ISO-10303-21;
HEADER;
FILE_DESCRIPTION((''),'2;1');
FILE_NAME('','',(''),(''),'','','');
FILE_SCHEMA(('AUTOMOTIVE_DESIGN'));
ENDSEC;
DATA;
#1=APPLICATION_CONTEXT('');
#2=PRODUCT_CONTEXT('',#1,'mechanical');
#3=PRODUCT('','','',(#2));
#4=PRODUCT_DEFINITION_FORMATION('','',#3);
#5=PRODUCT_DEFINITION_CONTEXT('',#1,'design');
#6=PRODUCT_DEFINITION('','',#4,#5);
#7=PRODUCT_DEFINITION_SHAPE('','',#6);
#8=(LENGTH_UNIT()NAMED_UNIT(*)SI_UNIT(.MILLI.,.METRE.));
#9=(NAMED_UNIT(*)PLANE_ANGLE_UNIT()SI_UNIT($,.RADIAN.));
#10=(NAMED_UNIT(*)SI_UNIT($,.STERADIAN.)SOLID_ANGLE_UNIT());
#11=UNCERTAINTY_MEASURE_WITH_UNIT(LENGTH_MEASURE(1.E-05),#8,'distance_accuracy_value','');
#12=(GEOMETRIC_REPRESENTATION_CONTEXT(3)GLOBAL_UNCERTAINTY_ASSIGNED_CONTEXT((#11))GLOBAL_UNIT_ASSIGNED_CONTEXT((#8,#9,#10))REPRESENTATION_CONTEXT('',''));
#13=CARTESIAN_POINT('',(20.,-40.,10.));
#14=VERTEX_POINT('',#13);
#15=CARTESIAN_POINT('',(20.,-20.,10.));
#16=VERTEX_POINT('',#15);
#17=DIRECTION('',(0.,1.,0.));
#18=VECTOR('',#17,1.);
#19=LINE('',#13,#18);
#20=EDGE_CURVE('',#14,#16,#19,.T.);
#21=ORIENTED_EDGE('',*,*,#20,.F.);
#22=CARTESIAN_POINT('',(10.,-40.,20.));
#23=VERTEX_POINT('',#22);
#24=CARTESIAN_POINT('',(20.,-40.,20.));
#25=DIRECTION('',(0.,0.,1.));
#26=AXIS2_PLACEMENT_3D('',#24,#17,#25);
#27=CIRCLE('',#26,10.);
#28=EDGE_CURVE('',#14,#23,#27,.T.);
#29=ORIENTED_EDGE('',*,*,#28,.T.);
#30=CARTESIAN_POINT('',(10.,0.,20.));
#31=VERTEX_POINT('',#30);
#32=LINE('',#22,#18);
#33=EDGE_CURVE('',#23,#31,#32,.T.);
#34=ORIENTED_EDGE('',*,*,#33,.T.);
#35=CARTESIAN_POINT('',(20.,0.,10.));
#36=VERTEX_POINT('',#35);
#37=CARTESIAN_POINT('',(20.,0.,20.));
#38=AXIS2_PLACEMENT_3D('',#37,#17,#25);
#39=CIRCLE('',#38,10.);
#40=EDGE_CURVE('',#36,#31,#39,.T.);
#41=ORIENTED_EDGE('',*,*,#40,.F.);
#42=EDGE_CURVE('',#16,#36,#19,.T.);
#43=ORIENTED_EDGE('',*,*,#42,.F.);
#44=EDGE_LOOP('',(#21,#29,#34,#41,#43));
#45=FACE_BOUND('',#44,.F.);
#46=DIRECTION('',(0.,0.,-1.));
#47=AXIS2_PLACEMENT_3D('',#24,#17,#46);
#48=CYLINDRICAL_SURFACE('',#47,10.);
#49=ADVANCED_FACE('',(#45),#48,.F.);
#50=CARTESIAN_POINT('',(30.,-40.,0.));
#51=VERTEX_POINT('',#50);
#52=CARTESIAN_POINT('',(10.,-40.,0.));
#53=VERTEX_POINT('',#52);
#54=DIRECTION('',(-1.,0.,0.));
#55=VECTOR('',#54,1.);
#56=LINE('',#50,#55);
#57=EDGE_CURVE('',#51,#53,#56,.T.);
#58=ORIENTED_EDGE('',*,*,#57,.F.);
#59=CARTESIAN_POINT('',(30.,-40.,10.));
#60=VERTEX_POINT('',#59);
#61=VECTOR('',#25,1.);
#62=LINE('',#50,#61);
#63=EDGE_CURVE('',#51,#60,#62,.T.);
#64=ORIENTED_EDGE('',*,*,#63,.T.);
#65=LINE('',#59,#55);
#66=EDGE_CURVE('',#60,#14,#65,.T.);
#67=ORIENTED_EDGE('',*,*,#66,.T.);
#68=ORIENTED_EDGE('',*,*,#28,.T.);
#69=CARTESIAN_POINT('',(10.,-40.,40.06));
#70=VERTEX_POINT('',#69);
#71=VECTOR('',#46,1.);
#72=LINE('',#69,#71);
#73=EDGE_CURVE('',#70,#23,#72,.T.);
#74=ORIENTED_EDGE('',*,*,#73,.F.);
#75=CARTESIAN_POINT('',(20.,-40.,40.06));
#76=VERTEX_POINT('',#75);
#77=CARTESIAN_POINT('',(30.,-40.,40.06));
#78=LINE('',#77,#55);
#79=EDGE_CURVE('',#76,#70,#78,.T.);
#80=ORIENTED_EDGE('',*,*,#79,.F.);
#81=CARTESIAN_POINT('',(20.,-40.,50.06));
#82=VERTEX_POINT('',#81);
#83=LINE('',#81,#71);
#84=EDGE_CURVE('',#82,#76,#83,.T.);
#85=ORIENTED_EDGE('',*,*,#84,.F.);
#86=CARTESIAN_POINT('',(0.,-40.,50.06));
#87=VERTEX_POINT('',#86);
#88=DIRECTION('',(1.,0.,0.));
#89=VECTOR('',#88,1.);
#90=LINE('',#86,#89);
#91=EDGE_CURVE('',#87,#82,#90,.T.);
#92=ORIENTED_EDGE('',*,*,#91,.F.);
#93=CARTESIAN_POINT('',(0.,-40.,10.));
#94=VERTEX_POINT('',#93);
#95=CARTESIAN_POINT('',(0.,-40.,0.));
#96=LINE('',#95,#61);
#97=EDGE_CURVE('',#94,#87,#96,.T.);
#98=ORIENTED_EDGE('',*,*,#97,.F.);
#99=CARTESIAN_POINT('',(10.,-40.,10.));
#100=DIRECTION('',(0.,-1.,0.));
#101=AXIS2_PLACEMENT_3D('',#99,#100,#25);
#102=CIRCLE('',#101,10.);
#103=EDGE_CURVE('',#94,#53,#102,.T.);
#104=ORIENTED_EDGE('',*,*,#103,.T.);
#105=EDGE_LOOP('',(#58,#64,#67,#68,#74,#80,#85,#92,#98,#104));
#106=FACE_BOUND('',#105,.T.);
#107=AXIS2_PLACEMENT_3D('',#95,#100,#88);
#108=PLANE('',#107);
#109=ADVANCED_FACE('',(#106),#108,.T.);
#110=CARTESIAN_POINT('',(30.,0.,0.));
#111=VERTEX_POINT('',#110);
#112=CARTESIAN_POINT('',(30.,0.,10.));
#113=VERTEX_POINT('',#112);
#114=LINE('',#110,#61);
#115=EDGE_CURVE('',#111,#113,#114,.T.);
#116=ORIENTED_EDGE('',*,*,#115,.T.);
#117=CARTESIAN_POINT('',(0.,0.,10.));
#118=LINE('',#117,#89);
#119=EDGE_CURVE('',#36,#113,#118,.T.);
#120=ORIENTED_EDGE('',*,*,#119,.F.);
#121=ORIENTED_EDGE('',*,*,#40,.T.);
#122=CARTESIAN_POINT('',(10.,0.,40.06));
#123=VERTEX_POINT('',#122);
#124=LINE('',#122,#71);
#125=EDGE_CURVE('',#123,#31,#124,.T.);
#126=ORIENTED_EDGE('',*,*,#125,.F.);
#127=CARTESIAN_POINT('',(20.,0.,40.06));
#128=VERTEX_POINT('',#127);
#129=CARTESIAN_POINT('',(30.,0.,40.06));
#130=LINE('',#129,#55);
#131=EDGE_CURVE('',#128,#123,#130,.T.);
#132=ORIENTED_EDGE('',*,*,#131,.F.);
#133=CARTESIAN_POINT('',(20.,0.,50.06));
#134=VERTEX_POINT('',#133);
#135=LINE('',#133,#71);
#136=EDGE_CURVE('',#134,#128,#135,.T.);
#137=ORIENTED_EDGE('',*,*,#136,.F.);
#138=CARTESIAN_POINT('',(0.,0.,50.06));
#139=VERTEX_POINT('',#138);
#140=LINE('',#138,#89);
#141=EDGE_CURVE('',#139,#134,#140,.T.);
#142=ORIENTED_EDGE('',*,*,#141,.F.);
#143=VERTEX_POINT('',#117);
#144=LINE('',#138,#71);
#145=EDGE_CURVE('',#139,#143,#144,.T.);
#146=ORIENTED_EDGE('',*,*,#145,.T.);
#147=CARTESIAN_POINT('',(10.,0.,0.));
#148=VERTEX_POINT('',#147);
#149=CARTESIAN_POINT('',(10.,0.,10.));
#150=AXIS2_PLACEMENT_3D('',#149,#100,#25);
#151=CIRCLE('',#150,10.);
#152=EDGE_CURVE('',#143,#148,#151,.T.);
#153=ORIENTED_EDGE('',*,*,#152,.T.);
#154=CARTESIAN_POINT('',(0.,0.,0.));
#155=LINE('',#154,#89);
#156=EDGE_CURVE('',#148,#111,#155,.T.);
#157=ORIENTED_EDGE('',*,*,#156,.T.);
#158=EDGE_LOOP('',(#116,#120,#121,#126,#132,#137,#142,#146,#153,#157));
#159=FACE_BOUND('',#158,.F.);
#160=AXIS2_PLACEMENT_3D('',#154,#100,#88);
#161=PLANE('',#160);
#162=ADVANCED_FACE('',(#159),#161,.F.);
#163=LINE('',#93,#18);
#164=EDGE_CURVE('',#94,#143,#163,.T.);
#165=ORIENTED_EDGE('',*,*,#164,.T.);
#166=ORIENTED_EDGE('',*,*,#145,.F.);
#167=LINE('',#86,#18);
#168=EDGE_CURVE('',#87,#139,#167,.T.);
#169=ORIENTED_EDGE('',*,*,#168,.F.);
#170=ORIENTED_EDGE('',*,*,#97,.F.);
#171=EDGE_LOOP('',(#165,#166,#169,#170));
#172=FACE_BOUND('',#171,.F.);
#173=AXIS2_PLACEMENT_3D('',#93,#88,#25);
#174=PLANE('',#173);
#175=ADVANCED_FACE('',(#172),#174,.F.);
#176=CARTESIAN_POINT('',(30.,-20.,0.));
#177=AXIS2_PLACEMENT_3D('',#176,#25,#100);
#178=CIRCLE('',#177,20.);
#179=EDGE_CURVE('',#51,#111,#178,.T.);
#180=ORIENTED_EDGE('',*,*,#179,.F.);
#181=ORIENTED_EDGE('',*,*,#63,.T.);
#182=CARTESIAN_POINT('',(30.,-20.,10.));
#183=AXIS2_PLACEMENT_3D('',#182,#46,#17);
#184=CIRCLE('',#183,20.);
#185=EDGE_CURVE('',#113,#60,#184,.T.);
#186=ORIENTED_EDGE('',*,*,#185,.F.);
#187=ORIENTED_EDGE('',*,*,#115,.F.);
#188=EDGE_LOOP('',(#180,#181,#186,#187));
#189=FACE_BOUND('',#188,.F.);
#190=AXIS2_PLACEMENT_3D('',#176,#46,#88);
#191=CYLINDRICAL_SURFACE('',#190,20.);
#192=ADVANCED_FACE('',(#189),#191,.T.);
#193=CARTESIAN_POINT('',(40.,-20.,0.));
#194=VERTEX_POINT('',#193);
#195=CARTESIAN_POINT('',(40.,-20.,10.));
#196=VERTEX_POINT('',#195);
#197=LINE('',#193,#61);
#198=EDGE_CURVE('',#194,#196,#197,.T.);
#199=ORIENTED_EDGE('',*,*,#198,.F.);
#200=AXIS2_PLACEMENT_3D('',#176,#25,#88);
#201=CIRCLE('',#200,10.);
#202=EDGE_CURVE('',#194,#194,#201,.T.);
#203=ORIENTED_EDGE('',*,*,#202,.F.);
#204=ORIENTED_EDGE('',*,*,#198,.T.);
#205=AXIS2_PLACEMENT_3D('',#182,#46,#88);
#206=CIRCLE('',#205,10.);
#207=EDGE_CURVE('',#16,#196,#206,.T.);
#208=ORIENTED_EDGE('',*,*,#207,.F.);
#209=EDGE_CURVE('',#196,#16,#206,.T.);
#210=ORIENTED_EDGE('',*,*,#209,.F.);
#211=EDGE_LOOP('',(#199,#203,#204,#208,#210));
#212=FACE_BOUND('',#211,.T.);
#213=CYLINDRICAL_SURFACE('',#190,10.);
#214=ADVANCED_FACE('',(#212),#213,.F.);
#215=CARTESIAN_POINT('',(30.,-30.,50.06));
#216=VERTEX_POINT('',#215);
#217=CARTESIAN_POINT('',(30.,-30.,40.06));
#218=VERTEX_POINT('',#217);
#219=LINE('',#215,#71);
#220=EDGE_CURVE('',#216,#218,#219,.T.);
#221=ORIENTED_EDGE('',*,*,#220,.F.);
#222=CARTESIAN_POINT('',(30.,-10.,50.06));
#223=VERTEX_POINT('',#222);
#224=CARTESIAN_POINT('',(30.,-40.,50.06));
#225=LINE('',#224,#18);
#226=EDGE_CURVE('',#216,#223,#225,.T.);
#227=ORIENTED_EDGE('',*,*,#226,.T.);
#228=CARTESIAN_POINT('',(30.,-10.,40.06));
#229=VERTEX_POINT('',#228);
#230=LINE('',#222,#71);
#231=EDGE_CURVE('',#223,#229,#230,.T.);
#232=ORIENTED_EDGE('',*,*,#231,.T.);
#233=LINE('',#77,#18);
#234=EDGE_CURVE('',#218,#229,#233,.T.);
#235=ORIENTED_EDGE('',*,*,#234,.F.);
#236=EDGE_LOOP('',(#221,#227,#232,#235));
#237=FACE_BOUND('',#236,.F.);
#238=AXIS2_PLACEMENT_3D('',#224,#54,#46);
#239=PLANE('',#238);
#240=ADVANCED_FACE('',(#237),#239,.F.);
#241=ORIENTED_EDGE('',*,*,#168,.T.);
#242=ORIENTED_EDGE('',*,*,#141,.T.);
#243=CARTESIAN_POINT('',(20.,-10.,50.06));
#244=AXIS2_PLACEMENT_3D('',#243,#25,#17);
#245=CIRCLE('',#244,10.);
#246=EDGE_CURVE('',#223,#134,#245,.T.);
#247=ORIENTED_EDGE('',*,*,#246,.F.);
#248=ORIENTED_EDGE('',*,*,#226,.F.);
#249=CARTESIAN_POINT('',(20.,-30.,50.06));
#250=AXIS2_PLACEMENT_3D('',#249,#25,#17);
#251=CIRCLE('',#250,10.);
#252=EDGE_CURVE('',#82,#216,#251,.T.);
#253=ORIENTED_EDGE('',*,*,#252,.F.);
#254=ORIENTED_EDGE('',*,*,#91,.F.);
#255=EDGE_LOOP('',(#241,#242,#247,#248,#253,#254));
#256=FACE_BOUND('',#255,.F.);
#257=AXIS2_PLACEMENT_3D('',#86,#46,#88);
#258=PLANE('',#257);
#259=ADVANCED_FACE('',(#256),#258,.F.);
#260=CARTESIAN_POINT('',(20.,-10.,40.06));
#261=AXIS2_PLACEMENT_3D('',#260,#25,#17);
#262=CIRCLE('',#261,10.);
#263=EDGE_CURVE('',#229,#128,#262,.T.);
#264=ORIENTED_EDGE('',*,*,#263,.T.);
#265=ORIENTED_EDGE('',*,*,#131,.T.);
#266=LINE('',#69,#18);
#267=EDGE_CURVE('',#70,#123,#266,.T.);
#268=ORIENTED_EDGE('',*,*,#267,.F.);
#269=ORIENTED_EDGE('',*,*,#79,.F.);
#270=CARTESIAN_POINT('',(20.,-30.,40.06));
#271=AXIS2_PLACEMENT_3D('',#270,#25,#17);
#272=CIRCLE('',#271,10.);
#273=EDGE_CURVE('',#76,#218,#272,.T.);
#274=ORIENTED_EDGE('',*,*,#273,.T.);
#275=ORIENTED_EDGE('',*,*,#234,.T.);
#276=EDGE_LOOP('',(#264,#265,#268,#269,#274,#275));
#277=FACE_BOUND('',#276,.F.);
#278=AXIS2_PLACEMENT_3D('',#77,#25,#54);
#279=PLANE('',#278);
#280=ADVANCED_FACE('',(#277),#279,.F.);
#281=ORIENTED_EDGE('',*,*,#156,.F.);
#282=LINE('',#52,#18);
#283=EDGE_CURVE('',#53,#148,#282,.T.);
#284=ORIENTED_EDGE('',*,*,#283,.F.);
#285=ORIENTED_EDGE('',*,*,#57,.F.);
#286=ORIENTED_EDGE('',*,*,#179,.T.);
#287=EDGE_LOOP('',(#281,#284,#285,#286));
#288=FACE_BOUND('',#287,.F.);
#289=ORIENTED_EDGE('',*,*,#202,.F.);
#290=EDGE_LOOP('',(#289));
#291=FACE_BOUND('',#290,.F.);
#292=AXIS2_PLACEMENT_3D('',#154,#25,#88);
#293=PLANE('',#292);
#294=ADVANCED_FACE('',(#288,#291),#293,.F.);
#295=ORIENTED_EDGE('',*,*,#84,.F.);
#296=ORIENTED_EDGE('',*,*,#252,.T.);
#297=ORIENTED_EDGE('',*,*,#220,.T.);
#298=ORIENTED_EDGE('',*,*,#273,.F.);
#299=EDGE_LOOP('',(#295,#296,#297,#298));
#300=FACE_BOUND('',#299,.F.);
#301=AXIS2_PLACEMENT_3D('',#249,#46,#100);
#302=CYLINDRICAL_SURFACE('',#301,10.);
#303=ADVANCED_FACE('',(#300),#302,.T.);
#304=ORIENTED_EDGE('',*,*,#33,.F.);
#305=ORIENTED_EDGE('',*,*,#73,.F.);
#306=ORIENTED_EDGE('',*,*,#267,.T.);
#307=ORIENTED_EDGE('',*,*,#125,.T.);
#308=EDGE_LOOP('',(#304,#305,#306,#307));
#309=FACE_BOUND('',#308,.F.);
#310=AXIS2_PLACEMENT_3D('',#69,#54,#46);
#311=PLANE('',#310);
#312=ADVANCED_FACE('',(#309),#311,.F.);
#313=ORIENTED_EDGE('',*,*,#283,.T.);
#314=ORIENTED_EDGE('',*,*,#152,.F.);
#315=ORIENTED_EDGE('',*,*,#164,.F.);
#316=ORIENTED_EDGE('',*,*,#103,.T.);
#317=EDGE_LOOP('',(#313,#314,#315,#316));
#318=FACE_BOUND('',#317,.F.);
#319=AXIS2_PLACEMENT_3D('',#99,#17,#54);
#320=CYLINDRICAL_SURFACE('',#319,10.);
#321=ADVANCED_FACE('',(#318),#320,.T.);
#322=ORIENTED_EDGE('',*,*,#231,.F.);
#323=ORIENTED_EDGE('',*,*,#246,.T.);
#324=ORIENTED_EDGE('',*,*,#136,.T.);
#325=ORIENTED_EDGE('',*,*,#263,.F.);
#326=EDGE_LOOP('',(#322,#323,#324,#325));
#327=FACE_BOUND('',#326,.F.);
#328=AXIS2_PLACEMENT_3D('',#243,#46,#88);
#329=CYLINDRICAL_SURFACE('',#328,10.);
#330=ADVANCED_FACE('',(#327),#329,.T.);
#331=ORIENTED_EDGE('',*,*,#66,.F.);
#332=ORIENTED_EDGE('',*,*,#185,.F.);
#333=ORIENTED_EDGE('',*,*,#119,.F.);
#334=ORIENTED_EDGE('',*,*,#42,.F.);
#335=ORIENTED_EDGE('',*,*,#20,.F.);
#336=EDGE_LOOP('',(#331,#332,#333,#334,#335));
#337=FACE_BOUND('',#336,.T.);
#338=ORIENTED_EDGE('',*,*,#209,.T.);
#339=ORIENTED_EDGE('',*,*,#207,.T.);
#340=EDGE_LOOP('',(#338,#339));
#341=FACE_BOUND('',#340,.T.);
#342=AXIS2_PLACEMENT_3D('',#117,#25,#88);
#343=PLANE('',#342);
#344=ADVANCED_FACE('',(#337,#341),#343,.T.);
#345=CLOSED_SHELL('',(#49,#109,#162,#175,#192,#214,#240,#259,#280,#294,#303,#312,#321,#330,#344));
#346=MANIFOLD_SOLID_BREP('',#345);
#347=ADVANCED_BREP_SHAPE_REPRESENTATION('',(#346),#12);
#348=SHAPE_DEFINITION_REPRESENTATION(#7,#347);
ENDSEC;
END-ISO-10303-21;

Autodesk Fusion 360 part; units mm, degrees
sketch "Sketch1" plane through (0, 0, 0) normal (0, 0, 1) x (1, 0, 0)
  line L0 (0, 0) -> (30, 0)
  line L1 (30, 0) -> (30, -40)
  line L2 (30, -40) -> (0, -40)
  line L3 (0, -40) -> (0, 0)
  circle A0 centre (30, -20) radius 20
  circle A1 centre (30, -20) radius 10
  dimension "d1" = 30
  dimension "d2" = 40
  dimension "d3" = 40
  dimension "d4" = 20
extrude "Extrude1" add sketch "Sketch1" along normal blind 10 contours L0 L2 L3 A0 | L1 A0 A1 | L1 A0 A1
sketch "Sketch2" plane through (0, 0, 0) normal (0, 1, 0) x (1, 0, 0)
sketch "Sketch3" plane through (0, -40, 0) normal (0, -1, 0) x (1, 0, 0)
  line L0 (0, 0) -> (30, 0)
  line L1 (30, 0) -> (30, 10)
  line L2 (30, 10) -> (0, 10)
  line L3 (0, 10) -> (0, 0)
  line L4 (0, 0) -> (0, 50.06)
  line L5 (0, 50.06) -> (30, 50.06)
  line L6 (30, 50.06) -> (30, 40.06)
  line L7 (30, 40.06) -> (10, 40.06)
  line L8 (10, 40.06) -> (10, 0)
  dimension "d7" = 10
  dimension "d8" = 30
  dimension "d10" = 10
  dimension "d11" = 50.06
extrude "Extrude2" add sketch "Sketch3" against normal blind 40 contours L2 L4 L5 L6 L7 L8
fillet "Fillet1" radius 10 1 edges at (30, -40, 45.06)
fillet "Fillet2" radius 10 1 edges at (30, 0, 45.06)
fillet "Fillet3" radius 10 1 edges at (0, -20, 0)
fillet "Fillet4" radius 10 1 edges at (10, -20, 10)
